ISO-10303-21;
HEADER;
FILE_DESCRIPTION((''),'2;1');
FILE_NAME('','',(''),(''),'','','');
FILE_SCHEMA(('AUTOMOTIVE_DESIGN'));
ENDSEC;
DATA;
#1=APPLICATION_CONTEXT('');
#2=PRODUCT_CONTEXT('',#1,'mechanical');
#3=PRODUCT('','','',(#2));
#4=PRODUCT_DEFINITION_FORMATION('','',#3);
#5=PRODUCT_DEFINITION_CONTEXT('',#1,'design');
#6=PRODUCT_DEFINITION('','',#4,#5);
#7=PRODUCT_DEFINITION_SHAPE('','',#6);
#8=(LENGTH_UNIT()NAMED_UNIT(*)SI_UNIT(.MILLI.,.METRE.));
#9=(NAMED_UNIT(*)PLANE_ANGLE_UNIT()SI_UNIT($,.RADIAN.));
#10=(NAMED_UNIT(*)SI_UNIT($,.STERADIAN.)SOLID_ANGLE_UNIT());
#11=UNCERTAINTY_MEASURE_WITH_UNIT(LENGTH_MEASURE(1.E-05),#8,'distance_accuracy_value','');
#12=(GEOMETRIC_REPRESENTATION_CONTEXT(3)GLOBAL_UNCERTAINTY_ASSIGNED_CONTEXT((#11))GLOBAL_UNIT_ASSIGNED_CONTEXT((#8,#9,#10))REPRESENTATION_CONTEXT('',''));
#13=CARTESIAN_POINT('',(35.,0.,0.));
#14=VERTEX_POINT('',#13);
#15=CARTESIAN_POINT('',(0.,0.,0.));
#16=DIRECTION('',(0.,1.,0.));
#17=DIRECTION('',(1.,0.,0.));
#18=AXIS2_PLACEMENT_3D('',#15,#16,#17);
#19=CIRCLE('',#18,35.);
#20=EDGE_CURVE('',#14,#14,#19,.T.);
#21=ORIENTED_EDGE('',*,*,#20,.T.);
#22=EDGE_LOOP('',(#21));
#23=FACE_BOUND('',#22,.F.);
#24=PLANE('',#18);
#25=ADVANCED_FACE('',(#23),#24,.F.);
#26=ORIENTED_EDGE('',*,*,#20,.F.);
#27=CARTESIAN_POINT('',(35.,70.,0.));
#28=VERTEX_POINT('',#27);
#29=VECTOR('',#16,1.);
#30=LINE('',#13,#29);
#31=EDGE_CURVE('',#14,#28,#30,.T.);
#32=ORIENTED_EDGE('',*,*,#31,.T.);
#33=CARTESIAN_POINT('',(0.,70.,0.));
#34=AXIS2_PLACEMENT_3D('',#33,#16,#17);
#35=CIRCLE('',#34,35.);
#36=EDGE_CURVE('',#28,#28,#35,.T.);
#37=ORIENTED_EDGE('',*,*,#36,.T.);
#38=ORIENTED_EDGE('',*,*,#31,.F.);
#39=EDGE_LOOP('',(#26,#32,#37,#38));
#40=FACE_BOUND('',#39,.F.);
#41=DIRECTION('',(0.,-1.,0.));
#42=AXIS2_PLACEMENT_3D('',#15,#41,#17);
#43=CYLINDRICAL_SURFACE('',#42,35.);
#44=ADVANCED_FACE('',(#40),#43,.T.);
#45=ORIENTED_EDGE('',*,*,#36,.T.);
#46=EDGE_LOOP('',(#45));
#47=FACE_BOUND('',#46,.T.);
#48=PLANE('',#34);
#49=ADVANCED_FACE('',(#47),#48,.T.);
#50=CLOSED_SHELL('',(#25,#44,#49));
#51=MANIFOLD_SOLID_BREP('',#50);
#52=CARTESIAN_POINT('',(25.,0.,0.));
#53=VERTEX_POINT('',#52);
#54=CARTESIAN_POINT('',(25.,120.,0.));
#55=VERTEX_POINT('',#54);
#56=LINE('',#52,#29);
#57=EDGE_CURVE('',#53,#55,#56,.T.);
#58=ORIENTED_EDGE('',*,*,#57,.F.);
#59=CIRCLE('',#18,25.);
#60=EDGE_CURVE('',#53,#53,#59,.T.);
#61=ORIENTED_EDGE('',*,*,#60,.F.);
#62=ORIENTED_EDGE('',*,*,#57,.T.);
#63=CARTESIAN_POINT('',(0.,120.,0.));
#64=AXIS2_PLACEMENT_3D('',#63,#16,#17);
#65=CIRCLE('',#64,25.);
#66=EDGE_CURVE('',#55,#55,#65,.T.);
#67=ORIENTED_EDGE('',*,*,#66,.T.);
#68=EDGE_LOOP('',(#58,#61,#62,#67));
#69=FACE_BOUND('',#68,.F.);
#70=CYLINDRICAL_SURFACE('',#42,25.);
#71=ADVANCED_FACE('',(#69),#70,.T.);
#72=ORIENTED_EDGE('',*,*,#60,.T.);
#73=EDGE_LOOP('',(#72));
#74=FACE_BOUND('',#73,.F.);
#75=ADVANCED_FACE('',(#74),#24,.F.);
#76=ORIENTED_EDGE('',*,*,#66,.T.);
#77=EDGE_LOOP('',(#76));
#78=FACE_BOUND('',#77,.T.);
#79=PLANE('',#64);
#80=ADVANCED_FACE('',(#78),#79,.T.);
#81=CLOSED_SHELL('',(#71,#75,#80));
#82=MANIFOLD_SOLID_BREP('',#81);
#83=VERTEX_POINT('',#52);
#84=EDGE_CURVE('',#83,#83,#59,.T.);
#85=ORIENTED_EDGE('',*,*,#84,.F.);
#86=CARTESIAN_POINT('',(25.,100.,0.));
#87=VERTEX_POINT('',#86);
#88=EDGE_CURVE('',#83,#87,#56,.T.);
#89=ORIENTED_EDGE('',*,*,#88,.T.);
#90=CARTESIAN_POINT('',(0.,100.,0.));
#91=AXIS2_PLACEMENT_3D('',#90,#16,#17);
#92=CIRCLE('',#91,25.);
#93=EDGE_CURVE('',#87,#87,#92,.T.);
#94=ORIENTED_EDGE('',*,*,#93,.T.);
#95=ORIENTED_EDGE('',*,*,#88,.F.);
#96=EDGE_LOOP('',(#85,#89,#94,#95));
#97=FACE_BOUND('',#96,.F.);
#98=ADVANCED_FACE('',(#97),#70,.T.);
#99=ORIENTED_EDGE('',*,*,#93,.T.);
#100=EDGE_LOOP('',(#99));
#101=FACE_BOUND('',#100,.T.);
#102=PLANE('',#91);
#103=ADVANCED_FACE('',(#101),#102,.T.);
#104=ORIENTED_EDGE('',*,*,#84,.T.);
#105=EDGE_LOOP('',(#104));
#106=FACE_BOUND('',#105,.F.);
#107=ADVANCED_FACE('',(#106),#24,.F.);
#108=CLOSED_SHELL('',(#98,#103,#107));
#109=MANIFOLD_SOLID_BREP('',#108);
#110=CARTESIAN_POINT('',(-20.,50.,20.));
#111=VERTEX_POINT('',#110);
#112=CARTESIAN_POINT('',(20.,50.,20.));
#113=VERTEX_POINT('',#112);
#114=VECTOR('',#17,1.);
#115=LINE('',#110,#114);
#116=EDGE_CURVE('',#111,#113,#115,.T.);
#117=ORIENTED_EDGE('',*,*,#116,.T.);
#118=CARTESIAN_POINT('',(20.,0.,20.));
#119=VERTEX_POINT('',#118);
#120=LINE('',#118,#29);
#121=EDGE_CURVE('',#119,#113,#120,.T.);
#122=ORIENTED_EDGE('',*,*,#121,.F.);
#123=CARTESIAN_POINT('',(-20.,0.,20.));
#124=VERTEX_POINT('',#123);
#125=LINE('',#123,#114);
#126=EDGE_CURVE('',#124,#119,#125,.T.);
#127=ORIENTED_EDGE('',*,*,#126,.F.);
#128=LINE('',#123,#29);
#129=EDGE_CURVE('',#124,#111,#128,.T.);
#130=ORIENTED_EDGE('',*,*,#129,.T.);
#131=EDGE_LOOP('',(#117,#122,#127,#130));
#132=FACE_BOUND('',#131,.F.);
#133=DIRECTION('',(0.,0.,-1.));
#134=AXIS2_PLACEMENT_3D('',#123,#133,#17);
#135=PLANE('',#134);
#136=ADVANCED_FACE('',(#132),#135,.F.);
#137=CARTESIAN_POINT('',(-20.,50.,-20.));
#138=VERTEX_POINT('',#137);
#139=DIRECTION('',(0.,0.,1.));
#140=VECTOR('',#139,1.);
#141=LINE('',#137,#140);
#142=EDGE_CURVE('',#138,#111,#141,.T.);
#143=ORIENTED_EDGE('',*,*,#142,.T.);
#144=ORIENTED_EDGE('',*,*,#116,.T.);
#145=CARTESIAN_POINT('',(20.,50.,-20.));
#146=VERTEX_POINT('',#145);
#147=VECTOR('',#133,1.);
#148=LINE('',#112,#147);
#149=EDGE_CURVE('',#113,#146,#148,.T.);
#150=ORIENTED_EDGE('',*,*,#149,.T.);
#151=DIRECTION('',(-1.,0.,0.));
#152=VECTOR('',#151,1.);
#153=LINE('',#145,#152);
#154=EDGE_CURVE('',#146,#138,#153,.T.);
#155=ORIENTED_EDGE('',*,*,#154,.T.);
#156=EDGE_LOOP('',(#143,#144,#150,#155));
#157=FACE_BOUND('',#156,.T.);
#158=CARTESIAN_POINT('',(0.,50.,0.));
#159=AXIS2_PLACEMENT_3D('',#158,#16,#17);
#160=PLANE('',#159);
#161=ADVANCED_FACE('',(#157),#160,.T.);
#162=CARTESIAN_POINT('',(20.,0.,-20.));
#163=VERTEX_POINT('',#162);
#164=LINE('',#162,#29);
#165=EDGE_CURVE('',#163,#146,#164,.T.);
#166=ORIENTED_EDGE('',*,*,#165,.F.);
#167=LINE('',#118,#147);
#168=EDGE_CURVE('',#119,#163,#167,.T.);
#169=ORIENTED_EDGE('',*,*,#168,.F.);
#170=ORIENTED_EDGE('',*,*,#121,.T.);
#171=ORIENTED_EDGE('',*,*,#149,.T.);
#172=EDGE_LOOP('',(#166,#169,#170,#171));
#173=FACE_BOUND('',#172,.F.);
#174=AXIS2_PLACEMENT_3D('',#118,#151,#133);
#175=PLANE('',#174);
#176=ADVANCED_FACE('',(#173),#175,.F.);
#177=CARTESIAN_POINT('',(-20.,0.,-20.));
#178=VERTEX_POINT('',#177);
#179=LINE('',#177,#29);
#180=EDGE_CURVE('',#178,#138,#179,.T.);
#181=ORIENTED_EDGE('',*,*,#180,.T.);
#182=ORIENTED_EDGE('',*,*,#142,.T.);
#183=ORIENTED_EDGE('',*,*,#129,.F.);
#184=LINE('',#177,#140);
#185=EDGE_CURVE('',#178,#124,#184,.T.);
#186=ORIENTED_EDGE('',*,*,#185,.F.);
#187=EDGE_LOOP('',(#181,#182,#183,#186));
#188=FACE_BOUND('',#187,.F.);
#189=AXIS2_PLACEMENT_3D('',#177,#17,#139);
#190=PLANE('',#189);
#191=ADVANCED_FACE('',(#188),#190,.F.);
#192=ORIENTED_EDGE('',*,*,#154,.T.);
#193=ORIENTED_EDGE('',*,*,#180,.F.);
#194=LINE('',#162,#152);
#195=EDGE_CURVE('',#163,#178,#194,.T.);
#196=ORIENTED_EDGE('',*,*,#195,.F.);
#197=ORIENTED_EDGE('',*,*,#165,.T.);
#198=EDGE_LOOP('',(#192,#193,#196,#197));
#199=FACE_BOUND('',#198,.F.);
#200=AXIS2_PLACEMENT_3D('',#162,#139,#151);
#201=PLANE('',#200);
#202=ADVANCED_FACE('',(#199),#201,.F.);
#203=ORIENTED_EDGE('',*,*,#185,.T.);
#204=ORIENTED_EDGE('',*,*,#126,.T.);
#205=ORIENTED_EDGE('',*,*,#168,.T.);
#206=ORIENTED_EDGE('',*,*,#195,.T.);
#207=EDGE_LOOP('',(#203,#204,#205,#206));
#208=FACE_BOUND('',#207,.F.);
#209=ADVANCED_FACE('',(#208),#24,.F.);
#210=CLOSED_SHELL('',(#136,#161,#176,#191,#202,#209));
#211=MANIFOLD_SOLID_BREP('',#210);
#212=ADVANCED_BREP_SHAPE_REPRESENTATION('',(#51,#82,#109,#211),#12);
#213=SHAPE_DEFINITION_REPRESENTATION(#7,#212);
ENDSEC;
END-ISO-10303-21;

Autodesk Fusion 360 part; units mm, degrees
sketch "Sketch1" plane through (0, 0, 0) normal (0, 1, 0) x (1, 0, 0)
  circle A0 centre (0, 0) radius 25
  circle A1 centre (0, 0) radius 35
  dimension "d1" = 50
  dimension "d2" = 70
extrude "Extrude1" add sketch "Sketch1" along normal blind 120 contours A0 makes body 1
extrude "Extrude2" add sketch "Sketch1" along normal blind 70 separate body contours A0 | A1 makes body 2
extrude "Extrude3" add sketch "Sketch1" along normal blind 100 separate body contours A0 makes body 3
sketch "Sketch2" plane through (0, 0, 0) normal (0, 1, 0) x (1, 0, 0)
  line L0 (20, 20) -> (-20, 20)
  line L1 (-20, 20) -> (-20, -20)
  line L2 (-20, -20) -> (20, -20)
  line L3 (20, -20) -> (20, 20)
  line L4 (20, 20) -> (-20, -20) construction
  line L5 (-20, 20) -> (20, -20) construction
  dimension "d9" = 40
  dimension "d10" = 40
extrude "Extrude6" add sketch "Sketch2" along normal blind 50 separate body makes body 4
copy_body "Body->Comp2" bodies 1 removing the originals makes body 5 in component "Component"
copy_body "Body->Comp3" bodies 3 removing the originals makes body 6 in component "Component'"
copy_body "Body->Comp4" bodies 2 removing the originals makes body 7 in component "Component''"
copy_body "Body->Comp5" bodies 4 removing the originals makes body 8 in component "Component'''"
component "Component" placed x (1, 0, 0) y (0, 1, 0) z (0, 0, 1) at (0, 0, 0)
component "Component'" placed x (1, 0, 0) y (0, 1, 0) z (0, 0, 1) at (0, 0, 0)
component "Component''" placed x (1, 0, 0) y (0, 1, 0) z (0, 0, 1) at (0, 0, 0)
component "Component'''" placed x (1, 0, 0) y (0, 1, 0) z (0, 0, 1) at (0, 0, 0)
